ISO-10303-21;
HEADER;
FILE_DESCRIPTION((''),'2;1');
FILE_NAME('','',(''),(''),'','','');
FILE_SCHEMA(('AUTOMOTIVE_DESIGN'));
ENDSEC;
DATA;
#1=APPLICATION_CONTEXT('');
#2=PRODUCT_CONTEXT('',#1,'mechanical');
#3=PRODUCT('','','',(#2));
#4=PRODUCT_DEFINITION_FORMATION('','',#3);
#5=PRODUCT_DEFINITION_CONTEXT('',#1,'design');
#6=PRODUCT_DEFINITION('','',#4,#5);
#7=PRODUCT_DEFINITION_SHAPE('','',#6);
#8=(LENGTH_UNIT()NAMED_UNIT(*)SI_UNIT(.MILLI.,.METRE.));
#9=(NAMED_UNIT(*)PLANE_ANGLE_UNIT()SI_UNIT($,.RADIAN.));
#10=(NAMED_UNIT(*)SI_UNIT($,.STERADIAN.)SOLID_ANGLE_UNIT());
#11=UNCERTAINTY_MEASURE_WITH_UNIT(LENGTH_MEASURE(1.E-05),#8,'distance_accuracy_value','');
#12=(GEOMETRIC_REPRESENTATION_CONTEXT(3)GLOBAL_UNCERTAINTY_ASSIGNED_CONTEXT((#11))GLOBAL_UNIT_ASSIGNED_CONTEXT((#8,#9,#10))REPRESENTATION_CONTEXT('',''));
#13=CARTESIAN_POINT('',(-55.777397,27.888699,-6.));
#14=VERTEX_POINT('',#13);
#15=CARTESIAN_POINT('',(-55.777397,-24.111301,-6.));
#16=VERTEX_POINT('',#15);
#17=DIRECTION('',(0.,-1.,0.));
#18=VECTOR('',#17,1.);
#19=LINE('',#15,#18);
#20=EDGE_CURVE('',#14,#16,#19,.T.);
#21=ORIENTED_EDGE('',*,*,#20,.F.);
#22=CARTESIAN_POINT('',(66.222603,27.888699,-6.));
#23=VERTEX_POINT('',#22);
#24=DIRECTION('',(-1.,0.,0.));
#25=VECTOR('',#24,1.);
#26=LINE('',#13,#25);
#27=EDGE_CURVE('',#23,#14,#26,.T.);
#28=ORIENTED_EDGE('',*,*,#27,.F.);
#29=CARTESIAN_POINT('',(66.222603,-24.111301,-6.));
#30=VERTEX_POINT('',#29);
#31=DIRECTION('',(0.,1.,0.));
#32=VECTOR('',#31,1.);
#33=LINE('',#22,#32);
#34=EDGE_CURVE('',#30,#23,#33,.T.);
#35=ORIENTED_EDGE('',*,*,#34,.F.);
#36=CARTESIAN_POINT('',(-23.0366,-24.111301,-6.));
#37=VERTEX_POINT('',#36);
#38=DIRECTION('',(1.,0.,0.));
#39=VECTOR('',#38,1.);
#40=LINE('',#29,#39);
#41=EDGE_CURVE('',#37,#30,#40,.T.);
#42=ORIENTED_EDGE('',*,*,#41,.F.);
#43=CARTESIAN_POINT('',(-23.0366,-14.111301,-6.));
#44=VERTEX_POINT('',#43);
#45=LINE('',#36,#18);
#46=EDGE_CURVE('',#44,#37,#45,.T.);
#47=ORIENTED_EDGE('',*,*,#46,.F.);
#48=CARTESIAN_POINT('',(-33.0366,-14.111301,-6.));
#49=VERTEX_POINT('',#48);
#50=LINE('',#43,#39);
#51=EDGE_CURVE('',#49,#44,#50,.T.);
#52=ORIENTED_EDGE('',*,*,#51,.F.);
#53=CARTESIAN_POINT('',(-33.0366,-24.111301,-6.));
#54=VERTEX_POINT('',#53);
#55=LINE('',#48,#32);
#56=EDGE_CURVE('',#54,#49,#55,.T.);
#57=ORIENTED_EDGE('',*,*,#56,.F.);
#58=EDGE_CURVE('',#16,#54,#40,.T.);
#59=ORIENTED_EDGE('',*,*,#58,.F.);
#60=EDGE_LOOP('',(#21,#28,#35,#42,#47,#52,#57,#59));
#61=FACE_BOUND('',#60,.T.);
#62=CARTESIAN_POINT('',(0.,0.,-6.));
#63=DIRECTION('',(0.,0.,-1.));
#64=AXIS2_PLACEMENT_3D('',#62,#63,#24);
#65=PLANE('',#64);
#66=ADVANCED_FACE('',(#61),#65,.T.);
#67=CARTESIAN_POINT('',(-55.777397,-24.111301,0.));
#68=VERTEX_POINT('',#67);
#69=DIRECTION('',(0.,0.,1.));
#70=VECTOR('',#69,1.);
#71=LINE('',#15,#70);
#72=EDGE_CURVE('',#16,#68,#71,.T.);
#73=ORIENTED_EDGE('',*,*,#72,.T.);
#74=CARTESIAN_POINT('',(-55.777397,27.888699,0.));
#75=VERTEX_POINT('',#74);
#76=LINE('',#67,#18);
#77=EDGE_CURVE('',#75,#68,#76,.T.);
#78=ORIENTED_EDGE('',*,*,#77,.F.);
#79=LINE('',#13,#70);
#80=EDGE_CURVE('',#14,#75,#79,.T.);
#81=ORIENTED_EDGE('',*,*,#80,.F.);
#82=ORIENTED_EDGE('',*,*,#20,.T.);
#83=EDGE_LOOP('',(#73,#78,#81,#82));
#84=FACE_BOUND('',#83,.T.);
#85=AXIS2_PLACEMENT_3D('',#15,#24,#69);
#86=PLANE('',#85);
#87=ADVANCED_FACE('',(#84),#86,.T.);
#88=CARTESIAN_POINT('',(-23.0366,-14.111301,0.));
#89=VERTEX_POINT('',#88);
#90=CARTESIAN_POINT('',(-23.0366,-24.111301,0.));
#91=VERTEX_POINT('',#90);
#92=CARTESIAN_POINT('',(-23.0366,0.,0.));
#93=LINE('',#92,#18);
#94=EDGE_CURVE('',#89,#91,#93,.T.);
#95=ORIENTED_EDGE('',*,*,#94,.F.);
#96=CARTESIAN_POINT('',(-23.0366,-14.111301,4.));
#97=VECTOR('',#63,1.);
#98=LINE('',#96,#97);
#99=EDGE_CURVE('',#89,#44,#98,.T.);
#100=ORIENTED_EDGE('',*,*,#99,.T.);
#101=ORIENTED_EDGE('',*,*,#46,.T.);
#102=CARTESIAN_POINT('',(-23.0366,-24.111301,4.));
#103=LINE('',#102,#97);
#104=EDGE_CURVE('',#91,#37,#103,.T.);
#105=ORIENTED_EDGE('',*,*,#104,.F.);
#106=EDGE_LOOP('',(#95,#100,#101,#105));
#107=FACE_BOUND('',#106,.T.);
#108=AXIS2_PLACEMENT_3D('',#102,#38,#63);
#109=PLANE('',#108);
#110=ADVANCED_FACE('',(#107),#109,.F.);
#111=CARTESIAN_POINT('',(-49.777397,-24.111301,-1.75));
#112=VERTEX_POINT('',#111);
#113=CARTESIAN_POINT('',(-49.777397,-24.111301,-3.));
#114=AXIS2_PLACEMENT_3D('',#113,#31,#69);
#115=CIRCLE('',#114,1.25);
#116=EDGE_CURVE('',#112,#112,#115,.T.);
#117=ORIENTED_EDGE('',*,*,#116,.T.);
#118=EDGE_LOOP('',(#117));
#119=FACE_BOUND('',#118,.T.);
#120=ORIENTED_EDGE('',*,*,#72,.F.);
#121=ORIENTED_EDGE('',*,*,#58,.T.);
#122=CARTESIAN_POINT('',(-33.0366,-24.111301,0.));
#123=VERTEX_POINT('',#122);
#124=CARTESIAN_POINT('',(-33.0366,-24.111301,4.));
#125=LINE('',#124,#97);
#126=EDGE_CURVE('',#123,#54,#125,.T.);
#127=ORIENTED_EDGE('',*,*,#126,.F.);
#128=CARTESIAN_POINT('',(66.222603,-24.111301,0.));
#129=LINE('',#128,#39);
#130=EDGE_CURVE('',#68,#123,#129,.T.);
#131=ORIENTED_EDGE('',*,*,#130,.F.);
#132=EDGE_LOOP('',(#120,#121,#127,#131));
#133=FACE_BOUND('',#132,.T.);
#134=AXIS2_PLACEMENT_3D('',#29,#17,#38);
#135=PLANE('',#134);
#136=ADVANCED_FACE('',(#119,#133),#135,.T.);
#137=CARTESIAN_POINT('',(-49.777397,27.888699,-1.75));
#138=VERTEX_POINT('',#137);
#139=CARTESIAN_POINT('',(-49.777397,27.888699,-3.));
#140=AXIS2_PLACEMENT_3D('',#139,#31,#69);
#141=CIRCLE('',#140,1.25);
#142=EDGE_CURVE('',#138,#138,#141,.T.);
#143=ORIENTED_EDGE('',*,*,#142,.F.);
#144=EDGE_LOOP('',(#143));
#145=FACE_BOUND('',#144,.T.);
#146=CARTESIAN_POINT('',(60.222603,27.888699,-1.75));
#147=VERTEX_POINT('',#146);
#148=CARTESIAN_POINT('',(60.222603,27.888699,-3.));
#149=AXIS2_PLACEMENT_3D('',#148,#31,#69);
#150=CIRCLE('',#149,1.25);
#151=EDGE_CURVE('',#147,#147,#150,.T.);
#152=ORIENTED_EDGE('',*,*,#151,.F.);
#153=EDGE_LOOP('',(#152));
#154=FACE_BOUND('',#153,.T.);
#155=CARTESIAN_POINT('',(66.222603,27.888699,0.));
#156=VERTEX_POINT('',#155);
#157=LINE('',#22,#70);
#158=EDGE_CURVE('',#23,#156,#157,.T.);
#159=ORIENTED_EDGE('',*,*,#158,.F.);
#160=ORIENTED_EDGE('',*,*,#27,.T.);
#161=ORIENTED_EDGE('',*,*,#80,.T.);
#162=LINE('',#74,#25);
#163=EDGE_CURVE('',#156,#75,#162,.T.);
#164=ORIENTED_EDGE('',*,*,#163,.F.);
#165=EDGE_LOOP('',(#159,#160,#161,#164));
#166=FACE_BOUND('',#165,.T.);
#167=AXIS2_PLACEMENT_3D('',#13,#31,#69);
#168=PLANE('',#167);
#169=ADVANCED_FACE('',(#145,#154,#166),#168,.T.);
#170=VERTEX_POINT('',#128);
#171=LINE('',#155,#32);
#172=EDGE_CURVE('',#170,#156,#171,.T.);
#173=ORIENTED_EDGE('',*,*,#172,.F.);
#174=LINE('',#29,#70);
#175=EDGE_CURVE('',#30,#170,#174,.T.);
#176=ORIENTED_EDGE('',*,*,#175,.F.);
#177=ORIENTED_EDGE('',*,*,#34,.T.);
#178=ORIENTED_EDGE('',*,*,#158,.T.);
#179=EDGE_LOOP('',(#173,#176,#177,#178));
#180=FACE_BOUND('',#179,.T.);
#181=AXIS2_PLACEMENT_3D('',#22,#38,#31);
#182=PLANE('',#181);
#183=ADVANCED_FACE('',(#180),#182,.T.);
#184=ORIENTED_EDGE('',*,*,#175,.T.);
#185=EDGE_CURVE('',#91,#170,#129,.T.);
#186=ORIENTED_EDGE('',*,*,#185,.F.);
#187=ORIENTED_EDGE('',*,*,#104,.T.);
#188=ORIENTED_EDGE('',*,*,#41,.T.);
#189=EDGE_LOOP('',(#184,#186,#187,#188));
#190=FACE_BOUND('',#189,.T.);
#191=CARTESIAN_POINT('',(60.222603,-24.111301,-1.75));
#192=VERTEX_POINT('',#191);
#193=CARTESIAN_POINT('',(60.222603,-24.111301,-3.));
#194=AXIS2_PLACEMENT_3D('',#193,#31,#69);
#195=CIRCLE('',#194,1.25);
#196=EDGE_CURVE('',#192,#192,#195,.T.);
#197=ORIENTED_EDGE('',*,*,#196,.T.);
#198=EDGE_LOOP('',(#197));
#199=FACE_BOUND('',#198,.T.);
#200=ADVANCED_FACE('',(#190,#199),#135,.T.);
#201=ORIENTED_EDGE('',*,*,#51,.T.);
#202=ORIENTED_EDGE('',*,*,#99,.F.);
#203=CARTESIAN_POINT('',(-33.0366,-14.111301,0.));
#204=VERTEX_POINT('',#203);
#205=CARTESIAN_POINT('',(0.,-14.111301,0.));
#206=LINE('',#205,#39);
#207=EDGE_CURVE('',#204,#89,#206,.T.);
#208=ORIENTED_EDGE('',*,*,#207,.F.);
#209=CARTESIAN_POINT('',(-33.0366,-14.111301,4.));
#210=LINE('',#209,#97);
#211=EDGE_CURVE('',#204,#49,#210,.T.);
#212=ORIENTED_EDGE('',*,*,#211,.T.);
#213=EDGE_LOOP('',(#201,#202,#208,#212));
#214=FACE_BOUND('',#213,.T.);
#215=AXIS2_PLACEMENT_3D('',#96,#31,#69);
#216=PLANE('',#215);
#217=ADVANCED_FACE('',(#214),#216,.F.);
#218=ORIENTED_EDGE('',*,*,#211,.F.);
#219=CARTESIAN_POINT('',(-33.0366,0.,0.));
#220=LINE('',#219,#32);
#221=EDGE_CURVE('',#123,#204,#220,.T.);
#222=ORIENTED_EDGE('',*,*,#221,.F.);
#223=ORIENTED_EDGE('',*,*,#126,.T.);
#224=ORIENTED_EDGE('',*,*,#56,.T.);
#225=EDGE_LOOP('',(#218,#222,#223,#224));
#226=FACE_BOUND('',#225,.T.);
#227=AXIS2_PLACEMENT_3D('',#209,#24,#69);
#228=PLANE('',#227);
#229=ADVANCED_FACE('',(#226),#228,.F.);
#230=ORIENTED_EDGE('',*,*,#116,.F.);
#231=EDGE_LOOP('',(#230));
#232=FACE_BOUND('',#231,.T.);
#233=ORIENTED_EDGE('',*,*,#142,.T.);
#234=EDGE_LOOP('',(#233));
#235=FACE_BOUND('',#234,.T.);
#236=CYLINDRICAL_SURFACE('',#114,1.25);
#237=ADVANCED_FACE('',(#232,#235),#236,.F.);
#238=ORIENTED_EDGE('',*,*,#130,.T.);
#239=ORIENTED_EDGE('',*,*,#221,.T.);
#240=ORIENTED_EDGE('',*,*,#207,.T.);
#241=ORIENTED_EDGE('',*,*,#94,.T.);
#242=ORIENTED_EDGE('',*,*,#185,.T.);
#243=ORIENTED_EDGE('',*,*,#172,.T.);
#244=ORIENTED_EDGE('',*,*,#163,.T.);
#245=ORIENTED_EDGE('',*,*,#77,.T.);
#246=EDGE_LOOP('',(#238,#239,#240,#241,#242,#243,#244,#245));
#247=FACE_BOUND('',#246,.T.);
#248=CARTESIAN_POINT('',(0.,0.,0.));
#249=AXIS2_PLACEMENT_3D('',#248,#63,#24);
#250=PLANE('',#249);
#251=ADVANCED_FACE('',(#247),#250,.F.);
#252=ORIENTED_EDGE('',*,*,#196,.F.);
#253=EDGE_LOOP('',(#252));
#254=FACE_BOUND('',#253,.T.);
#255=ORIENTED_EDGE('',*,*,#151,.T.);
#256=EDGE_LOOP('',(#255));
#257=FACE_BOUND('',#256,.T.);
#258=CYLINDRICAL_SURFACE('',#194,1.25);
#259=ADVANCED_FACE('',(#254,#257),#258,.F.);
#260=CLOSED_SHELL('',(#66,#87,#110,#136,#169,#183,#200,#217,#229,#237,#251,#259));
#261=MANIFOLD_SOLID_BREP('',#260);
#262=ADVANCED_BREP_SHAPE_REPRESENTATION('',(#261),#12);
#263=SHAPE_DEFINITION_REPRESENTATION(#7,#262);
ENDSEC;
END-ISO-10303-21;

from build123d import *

# Parameters (mm, degrees)
SKETCH1_W           = 122
SKETCH1_H           = 52
BOSS_EXTRUDE1_DEPTH = 6
SKETCH2_R           = 1.25
CUT_EXTRUDE1_DEPTH  = 53
SKETCH3_W           = 10
SKETCH3_H           = 10
CUT_EXTRUDE2_DEPTH  = 10


with BuildPart() as part:
    # Sketch1 → Boss-Extrude1 (new body)
    with BuildSketch(Plane.XY):
        with Locations((5.22260274, 1.88869863)):
            Rectangle(SKETCH1_W, SKETCH1_H)
    extrude(amount=-BOSS_EXTRUDE1_DEPTH)

    # Sketch2 → Cut-Extrude1 (cut, through all)
    with BuildSketch(Plane(origin=(0, 27.88869863, 0), x_dir=(1, 0, 0), z_dir=(0, 1, 0))):
        with Locations((-49.77739726, 3)):
            Circle(SKETCH2_R)
        with Locations((60.22260274, 3)):
            Circle(SKETCH2_R)
    extrude(amount=-CUT_EXTRUDE1_DEPTH, mode=Mode.SUBTRACT)

    # Sketch3 → Cut-Extrude2 (cut)
    with BuildSketch(Plane(origin=(0, 0, -6), x_dir=(-1, 0, 0), z_dir=(0, 0, -1))):
        with Locations((28.036600011, -19.11130137)):
            Rectangle(SKETCH3_W, SKETCH3_H)
    extrude(amount=-CUT_EXTRUDE2_DEPTH, mode=Mode.SUBTRACT)


solid = part.part
